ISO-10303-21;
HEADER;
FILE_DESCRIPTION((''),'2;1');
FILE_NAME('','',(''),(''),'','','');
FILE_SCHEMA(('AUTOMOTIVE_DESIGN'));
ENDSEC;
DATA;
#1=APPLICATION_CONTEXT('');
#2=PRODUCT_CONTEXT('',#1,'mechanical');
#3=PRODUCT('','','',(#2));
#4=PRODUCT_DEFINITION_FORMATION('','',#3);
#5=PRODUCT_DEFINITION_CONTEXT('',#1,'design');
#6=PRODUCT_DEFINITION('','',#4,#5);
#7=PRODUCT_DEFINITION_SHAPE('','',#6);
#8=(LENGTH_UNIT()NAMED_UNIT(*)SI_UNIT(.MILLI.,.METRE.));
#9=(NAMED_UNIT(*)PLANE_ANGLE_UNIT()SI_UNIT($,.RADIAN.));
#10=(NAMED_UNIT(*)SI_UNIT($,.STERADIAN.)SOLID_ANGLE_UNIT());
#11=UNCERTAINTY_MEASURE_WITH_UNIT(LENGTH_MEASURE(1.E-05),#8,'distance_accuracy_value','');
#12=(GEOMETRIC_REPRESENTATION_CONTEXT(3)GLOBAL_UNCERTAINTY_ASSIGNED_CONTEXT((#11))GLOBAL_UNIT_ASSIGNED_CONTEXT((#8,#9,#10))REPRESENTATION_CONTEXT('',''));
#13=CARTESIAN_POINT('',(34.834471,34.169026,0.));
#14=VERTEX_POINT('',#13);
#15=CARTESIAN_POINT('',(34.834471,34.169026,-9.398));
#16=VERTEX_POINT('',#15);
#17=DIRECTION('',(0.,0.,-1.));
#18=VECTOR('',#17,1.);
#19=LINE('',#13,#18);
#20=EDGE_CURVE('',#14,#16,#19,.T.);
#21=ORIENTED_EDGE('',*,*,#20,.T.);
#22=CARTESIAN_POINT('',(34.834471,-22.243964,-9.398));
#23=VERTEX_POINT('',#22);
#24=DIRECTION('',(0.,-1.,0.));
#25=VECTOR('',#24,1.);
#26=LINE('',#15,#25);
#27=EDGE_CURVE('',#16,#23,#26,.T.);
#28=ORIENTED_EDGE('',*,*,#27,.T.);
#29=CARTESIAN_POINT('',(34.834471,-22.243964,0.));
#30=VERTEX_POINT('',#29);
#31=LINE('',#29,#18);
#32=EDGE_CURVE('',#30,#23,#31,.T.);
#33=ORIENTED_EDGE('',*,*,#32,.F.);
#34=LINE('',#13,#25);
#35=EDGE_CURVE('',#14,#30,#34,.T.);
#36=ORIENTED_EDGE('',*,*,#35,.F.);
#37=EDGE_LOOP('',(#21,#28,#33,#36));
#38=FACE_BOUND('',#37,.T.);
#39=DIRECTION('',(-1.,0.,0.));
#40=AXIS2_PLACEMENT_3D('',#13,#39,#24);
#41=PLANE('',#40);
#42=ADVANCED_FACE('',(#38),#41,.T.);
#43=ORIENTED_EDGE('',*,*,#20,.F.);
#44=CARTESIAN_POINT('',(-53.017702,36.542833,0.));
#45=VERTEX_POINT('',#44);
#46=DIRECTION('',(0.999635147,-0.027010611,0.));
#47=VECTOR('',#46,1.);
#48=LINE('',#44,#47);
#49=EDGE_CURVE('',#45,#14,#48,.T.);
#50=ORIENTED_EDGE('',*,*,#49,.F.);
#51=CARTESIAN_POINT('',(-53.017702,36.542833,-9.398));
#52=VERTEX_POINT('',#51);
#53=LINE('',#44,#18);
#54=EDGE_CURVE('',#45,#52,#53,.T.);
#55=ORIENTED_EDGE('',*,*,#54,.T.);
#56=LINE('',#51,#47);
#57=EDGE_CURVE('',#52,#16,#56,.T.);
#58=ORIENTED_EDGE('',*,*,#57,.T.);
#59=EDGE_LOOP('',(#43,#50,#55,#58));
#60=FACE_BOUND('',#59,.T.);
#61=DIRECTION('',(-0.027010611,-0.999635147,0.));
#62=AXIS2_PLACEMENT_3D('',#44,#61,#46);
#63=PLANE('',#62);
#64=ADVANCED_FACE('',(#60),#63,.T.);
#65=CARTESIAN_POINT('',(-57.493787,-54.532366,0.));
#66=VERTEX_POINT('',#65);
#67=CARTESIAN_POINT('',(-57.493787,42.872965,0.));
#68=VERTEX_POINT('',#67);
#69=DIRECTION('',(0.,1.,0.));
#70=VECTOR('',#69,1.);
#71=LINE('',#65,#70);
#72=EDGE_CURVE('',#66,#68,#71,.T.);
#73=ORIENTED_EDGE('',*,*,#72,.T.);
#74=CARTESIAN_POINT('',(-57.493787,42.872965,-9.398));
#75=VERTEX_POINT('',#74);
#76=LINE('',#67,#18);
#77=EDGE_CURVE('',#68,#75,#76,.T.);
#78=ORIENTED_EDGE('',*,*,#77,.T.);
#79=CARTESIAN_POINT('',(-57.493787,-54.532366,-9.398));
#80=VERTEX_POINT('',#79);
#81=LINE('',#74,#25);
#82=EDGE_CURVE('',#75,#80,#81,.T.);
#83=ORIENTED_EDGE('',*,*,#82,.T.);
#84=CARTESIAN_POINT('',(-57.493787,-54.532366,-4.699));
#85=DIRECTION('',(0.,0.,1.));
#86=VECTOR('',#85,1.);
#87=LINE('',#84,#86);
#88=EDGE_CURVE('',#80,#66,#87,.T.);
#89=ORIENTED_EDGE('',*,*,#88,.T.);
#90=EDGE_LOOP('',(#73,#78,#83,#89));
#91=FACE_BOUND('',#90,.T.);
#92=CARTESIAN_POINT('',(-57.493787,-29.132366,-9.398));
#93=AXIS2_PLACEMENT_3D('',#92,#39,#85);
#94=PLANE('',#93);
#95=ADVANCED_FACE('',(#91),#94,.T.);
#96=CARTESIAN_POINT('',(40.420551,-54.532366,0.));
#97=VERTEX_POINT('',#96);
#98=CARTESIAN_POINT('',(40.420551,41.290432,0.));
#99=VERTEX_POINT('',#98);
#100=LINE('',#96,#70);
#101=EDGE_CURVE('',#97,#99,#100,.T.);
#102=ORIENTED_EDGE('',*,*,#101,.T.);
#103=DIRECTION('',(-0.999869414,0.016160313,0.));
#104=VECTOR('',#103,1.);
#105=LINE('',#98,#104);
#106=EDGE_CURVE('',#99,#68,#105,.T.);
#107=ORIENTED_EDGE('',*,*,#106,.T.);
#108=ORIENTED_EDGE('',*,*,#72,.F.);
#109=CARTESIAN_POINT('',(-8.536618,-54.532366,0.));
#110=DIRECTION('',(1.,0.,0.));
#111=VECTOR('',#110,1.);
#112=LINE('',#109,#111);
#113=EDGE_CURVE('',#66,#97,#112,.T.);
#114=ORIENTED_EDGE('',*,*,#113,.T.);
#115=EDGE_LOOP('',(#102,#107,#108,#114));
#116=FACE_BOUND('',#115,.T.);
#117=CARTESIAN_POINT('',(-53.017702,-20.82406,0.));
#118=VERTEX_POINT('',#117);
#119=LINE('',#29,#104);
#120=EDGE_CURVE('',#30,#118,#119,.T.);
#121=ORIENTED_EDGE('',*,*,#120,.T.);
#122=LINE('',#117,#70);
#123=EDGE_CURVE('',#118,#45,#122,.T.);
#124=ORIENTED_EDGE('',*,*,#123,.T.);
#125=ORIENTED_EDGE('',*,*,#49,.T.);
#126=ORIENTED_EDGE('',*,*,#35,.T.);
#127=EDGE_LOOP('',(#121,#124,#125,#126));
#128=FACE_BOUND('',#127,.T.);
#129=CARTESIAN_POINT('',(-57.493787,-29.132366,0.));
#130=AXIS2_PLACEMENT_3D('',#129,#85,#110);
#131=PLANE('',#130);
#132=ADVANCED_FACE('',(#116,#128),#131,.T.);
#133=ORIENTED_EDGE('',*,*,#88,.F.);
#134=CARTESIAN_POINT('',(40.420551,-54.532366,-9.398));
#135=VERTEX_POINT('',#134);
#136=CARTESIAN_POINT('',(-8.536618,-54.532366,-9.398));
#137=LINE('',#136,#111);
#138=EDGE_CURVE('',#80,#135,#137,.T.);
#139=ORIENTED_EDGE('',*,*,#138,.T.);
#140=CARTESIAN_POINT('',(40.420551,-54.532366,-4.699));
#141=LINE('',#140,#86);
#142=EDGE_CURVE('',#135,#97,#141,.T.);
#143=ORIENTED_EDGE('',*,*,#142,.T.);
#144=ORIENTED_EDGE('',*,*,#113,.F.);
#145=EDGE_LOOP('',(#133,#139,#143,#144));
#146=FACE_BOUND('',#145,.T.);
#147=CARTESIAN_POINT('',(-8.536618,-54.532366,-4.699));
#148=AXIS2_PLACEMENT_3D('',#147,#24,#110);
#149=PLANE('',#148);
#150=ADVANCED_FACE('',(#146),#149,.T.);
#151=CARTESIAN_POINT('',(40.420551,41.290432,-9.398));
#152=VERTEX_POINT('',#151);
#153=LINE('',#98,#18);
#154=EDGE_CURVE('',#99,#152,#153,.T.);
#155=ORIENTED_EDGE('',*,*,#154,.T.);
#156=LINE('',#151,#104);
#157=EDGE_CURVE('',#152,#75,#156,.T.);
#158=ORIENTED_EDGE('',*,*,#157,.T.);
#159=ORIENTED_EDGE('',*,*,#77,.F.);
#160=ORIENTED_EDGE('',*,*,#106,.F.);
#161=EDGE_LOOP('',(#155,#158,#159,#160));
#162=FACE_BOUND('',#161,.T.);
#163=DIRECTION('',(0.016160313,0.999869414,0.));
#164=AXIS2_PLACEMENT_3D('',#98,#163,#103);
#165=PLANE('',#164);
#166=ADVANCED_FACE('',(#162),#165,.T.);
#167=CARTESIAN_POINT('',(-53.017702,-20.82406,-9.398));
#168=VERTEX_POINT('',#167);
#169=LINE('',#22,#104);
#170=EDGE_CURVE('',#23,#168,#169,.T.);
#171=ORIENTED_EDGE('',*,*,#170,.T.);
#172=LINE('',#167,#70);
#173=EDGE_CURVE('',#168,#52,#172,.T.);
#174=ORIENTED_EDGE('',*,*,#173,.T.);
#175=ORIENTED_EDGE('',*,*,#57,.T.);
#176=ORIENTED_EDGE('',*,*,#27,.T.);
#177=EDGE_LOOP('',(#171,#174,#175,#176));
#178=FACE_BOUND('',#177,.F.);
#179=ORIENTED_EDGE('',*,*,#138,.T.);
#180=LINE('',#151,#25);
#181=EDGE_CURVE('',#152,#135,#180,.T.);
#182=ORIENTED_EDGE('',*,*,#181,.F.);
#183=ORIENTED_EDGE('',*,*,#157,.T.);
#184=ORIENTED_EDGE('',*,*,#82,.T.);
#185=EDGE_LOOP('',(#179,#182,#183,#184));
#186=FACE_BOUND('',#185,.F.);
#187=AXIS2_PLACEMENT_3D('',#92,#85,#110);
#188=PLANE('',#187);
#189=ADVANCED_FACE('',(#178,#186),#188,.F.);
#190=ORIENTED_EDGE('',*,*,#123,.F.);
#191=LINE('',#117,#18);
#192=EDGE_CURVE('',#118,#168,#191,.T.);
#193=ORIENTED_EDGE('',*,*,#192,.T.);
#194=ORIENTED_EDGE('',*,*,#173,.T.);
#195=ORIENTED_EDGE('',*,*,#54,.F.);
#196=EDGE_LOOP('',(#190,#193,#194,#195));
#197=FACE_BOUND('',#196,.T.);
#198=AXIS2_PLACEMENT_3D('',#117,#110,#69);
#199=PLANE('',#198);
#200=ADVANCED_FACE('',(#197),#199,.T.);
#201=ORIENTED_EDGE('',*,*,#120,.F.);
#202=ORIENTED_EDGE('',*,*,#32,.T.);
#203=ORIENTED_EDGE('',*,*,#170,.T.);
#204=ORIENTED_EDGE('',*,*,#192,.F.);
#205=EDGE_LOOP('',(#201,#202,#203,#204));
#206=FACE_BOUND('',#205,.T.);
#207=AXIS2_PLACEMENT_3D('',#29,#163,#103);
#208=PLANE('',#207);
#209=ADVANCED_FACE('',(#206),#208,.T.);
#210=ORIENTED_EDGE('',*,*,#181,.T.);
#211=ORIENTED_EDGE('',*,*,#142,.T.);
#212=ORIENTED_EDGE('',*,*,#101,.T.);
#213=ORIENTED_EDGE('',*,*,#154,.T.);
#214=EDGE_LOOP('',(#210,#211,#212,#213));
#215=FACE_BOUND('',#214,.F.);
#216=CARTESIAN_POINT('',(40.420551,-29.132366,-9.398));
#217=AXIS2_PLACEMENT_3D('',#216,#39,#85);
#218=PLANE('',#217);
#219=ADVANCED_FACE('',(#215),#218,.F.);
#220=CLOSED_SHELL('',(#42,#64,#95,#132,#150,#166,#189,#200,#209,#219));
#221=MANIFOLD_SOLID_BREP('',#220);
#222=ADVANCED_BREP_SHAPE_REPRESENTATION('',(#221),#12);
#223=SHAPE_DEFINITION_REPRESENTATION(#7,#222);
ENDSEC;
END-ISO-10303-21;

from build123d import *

# Parameters (mm, degrees)
F1_DEPTH  = 9.398
F1_FACE_W = 97.914338
F1_FACE_H = 9.398
F2_DEPTH  = 25.4


with BuildPart() as f1:
    # F0 (on Top) → F1 (new body)
    with BuildSketch(Plane.XY):
        Polygon((40.420551, 41.290432), (-57.493787, 42.872965), (-57.493787, -29.132366), (40.420551, -29.132366), (40.420551, 27.838886), align=None)
        Polygon((-53.017702, -20.82406), (-53.017702, 36.542833), (34.834471, 34.169026), (34.834471, -22.243964), align=None, mode=Mode.SUBTRACT)
    extrude(amount=-F1_DEPTH)

    # F1_face (on face) → F2 (join)
    with BuildSketch(Plane(origin=(-8.536618, -29.132366, -4.699), x_dir=(1, 0, 0), z_dir=(0, -1, 0))):
        Rectangle(F1_FACE_W, F1_FACE_H)
    extrude(amount=F2_DEPTH)


solid = f1.part
